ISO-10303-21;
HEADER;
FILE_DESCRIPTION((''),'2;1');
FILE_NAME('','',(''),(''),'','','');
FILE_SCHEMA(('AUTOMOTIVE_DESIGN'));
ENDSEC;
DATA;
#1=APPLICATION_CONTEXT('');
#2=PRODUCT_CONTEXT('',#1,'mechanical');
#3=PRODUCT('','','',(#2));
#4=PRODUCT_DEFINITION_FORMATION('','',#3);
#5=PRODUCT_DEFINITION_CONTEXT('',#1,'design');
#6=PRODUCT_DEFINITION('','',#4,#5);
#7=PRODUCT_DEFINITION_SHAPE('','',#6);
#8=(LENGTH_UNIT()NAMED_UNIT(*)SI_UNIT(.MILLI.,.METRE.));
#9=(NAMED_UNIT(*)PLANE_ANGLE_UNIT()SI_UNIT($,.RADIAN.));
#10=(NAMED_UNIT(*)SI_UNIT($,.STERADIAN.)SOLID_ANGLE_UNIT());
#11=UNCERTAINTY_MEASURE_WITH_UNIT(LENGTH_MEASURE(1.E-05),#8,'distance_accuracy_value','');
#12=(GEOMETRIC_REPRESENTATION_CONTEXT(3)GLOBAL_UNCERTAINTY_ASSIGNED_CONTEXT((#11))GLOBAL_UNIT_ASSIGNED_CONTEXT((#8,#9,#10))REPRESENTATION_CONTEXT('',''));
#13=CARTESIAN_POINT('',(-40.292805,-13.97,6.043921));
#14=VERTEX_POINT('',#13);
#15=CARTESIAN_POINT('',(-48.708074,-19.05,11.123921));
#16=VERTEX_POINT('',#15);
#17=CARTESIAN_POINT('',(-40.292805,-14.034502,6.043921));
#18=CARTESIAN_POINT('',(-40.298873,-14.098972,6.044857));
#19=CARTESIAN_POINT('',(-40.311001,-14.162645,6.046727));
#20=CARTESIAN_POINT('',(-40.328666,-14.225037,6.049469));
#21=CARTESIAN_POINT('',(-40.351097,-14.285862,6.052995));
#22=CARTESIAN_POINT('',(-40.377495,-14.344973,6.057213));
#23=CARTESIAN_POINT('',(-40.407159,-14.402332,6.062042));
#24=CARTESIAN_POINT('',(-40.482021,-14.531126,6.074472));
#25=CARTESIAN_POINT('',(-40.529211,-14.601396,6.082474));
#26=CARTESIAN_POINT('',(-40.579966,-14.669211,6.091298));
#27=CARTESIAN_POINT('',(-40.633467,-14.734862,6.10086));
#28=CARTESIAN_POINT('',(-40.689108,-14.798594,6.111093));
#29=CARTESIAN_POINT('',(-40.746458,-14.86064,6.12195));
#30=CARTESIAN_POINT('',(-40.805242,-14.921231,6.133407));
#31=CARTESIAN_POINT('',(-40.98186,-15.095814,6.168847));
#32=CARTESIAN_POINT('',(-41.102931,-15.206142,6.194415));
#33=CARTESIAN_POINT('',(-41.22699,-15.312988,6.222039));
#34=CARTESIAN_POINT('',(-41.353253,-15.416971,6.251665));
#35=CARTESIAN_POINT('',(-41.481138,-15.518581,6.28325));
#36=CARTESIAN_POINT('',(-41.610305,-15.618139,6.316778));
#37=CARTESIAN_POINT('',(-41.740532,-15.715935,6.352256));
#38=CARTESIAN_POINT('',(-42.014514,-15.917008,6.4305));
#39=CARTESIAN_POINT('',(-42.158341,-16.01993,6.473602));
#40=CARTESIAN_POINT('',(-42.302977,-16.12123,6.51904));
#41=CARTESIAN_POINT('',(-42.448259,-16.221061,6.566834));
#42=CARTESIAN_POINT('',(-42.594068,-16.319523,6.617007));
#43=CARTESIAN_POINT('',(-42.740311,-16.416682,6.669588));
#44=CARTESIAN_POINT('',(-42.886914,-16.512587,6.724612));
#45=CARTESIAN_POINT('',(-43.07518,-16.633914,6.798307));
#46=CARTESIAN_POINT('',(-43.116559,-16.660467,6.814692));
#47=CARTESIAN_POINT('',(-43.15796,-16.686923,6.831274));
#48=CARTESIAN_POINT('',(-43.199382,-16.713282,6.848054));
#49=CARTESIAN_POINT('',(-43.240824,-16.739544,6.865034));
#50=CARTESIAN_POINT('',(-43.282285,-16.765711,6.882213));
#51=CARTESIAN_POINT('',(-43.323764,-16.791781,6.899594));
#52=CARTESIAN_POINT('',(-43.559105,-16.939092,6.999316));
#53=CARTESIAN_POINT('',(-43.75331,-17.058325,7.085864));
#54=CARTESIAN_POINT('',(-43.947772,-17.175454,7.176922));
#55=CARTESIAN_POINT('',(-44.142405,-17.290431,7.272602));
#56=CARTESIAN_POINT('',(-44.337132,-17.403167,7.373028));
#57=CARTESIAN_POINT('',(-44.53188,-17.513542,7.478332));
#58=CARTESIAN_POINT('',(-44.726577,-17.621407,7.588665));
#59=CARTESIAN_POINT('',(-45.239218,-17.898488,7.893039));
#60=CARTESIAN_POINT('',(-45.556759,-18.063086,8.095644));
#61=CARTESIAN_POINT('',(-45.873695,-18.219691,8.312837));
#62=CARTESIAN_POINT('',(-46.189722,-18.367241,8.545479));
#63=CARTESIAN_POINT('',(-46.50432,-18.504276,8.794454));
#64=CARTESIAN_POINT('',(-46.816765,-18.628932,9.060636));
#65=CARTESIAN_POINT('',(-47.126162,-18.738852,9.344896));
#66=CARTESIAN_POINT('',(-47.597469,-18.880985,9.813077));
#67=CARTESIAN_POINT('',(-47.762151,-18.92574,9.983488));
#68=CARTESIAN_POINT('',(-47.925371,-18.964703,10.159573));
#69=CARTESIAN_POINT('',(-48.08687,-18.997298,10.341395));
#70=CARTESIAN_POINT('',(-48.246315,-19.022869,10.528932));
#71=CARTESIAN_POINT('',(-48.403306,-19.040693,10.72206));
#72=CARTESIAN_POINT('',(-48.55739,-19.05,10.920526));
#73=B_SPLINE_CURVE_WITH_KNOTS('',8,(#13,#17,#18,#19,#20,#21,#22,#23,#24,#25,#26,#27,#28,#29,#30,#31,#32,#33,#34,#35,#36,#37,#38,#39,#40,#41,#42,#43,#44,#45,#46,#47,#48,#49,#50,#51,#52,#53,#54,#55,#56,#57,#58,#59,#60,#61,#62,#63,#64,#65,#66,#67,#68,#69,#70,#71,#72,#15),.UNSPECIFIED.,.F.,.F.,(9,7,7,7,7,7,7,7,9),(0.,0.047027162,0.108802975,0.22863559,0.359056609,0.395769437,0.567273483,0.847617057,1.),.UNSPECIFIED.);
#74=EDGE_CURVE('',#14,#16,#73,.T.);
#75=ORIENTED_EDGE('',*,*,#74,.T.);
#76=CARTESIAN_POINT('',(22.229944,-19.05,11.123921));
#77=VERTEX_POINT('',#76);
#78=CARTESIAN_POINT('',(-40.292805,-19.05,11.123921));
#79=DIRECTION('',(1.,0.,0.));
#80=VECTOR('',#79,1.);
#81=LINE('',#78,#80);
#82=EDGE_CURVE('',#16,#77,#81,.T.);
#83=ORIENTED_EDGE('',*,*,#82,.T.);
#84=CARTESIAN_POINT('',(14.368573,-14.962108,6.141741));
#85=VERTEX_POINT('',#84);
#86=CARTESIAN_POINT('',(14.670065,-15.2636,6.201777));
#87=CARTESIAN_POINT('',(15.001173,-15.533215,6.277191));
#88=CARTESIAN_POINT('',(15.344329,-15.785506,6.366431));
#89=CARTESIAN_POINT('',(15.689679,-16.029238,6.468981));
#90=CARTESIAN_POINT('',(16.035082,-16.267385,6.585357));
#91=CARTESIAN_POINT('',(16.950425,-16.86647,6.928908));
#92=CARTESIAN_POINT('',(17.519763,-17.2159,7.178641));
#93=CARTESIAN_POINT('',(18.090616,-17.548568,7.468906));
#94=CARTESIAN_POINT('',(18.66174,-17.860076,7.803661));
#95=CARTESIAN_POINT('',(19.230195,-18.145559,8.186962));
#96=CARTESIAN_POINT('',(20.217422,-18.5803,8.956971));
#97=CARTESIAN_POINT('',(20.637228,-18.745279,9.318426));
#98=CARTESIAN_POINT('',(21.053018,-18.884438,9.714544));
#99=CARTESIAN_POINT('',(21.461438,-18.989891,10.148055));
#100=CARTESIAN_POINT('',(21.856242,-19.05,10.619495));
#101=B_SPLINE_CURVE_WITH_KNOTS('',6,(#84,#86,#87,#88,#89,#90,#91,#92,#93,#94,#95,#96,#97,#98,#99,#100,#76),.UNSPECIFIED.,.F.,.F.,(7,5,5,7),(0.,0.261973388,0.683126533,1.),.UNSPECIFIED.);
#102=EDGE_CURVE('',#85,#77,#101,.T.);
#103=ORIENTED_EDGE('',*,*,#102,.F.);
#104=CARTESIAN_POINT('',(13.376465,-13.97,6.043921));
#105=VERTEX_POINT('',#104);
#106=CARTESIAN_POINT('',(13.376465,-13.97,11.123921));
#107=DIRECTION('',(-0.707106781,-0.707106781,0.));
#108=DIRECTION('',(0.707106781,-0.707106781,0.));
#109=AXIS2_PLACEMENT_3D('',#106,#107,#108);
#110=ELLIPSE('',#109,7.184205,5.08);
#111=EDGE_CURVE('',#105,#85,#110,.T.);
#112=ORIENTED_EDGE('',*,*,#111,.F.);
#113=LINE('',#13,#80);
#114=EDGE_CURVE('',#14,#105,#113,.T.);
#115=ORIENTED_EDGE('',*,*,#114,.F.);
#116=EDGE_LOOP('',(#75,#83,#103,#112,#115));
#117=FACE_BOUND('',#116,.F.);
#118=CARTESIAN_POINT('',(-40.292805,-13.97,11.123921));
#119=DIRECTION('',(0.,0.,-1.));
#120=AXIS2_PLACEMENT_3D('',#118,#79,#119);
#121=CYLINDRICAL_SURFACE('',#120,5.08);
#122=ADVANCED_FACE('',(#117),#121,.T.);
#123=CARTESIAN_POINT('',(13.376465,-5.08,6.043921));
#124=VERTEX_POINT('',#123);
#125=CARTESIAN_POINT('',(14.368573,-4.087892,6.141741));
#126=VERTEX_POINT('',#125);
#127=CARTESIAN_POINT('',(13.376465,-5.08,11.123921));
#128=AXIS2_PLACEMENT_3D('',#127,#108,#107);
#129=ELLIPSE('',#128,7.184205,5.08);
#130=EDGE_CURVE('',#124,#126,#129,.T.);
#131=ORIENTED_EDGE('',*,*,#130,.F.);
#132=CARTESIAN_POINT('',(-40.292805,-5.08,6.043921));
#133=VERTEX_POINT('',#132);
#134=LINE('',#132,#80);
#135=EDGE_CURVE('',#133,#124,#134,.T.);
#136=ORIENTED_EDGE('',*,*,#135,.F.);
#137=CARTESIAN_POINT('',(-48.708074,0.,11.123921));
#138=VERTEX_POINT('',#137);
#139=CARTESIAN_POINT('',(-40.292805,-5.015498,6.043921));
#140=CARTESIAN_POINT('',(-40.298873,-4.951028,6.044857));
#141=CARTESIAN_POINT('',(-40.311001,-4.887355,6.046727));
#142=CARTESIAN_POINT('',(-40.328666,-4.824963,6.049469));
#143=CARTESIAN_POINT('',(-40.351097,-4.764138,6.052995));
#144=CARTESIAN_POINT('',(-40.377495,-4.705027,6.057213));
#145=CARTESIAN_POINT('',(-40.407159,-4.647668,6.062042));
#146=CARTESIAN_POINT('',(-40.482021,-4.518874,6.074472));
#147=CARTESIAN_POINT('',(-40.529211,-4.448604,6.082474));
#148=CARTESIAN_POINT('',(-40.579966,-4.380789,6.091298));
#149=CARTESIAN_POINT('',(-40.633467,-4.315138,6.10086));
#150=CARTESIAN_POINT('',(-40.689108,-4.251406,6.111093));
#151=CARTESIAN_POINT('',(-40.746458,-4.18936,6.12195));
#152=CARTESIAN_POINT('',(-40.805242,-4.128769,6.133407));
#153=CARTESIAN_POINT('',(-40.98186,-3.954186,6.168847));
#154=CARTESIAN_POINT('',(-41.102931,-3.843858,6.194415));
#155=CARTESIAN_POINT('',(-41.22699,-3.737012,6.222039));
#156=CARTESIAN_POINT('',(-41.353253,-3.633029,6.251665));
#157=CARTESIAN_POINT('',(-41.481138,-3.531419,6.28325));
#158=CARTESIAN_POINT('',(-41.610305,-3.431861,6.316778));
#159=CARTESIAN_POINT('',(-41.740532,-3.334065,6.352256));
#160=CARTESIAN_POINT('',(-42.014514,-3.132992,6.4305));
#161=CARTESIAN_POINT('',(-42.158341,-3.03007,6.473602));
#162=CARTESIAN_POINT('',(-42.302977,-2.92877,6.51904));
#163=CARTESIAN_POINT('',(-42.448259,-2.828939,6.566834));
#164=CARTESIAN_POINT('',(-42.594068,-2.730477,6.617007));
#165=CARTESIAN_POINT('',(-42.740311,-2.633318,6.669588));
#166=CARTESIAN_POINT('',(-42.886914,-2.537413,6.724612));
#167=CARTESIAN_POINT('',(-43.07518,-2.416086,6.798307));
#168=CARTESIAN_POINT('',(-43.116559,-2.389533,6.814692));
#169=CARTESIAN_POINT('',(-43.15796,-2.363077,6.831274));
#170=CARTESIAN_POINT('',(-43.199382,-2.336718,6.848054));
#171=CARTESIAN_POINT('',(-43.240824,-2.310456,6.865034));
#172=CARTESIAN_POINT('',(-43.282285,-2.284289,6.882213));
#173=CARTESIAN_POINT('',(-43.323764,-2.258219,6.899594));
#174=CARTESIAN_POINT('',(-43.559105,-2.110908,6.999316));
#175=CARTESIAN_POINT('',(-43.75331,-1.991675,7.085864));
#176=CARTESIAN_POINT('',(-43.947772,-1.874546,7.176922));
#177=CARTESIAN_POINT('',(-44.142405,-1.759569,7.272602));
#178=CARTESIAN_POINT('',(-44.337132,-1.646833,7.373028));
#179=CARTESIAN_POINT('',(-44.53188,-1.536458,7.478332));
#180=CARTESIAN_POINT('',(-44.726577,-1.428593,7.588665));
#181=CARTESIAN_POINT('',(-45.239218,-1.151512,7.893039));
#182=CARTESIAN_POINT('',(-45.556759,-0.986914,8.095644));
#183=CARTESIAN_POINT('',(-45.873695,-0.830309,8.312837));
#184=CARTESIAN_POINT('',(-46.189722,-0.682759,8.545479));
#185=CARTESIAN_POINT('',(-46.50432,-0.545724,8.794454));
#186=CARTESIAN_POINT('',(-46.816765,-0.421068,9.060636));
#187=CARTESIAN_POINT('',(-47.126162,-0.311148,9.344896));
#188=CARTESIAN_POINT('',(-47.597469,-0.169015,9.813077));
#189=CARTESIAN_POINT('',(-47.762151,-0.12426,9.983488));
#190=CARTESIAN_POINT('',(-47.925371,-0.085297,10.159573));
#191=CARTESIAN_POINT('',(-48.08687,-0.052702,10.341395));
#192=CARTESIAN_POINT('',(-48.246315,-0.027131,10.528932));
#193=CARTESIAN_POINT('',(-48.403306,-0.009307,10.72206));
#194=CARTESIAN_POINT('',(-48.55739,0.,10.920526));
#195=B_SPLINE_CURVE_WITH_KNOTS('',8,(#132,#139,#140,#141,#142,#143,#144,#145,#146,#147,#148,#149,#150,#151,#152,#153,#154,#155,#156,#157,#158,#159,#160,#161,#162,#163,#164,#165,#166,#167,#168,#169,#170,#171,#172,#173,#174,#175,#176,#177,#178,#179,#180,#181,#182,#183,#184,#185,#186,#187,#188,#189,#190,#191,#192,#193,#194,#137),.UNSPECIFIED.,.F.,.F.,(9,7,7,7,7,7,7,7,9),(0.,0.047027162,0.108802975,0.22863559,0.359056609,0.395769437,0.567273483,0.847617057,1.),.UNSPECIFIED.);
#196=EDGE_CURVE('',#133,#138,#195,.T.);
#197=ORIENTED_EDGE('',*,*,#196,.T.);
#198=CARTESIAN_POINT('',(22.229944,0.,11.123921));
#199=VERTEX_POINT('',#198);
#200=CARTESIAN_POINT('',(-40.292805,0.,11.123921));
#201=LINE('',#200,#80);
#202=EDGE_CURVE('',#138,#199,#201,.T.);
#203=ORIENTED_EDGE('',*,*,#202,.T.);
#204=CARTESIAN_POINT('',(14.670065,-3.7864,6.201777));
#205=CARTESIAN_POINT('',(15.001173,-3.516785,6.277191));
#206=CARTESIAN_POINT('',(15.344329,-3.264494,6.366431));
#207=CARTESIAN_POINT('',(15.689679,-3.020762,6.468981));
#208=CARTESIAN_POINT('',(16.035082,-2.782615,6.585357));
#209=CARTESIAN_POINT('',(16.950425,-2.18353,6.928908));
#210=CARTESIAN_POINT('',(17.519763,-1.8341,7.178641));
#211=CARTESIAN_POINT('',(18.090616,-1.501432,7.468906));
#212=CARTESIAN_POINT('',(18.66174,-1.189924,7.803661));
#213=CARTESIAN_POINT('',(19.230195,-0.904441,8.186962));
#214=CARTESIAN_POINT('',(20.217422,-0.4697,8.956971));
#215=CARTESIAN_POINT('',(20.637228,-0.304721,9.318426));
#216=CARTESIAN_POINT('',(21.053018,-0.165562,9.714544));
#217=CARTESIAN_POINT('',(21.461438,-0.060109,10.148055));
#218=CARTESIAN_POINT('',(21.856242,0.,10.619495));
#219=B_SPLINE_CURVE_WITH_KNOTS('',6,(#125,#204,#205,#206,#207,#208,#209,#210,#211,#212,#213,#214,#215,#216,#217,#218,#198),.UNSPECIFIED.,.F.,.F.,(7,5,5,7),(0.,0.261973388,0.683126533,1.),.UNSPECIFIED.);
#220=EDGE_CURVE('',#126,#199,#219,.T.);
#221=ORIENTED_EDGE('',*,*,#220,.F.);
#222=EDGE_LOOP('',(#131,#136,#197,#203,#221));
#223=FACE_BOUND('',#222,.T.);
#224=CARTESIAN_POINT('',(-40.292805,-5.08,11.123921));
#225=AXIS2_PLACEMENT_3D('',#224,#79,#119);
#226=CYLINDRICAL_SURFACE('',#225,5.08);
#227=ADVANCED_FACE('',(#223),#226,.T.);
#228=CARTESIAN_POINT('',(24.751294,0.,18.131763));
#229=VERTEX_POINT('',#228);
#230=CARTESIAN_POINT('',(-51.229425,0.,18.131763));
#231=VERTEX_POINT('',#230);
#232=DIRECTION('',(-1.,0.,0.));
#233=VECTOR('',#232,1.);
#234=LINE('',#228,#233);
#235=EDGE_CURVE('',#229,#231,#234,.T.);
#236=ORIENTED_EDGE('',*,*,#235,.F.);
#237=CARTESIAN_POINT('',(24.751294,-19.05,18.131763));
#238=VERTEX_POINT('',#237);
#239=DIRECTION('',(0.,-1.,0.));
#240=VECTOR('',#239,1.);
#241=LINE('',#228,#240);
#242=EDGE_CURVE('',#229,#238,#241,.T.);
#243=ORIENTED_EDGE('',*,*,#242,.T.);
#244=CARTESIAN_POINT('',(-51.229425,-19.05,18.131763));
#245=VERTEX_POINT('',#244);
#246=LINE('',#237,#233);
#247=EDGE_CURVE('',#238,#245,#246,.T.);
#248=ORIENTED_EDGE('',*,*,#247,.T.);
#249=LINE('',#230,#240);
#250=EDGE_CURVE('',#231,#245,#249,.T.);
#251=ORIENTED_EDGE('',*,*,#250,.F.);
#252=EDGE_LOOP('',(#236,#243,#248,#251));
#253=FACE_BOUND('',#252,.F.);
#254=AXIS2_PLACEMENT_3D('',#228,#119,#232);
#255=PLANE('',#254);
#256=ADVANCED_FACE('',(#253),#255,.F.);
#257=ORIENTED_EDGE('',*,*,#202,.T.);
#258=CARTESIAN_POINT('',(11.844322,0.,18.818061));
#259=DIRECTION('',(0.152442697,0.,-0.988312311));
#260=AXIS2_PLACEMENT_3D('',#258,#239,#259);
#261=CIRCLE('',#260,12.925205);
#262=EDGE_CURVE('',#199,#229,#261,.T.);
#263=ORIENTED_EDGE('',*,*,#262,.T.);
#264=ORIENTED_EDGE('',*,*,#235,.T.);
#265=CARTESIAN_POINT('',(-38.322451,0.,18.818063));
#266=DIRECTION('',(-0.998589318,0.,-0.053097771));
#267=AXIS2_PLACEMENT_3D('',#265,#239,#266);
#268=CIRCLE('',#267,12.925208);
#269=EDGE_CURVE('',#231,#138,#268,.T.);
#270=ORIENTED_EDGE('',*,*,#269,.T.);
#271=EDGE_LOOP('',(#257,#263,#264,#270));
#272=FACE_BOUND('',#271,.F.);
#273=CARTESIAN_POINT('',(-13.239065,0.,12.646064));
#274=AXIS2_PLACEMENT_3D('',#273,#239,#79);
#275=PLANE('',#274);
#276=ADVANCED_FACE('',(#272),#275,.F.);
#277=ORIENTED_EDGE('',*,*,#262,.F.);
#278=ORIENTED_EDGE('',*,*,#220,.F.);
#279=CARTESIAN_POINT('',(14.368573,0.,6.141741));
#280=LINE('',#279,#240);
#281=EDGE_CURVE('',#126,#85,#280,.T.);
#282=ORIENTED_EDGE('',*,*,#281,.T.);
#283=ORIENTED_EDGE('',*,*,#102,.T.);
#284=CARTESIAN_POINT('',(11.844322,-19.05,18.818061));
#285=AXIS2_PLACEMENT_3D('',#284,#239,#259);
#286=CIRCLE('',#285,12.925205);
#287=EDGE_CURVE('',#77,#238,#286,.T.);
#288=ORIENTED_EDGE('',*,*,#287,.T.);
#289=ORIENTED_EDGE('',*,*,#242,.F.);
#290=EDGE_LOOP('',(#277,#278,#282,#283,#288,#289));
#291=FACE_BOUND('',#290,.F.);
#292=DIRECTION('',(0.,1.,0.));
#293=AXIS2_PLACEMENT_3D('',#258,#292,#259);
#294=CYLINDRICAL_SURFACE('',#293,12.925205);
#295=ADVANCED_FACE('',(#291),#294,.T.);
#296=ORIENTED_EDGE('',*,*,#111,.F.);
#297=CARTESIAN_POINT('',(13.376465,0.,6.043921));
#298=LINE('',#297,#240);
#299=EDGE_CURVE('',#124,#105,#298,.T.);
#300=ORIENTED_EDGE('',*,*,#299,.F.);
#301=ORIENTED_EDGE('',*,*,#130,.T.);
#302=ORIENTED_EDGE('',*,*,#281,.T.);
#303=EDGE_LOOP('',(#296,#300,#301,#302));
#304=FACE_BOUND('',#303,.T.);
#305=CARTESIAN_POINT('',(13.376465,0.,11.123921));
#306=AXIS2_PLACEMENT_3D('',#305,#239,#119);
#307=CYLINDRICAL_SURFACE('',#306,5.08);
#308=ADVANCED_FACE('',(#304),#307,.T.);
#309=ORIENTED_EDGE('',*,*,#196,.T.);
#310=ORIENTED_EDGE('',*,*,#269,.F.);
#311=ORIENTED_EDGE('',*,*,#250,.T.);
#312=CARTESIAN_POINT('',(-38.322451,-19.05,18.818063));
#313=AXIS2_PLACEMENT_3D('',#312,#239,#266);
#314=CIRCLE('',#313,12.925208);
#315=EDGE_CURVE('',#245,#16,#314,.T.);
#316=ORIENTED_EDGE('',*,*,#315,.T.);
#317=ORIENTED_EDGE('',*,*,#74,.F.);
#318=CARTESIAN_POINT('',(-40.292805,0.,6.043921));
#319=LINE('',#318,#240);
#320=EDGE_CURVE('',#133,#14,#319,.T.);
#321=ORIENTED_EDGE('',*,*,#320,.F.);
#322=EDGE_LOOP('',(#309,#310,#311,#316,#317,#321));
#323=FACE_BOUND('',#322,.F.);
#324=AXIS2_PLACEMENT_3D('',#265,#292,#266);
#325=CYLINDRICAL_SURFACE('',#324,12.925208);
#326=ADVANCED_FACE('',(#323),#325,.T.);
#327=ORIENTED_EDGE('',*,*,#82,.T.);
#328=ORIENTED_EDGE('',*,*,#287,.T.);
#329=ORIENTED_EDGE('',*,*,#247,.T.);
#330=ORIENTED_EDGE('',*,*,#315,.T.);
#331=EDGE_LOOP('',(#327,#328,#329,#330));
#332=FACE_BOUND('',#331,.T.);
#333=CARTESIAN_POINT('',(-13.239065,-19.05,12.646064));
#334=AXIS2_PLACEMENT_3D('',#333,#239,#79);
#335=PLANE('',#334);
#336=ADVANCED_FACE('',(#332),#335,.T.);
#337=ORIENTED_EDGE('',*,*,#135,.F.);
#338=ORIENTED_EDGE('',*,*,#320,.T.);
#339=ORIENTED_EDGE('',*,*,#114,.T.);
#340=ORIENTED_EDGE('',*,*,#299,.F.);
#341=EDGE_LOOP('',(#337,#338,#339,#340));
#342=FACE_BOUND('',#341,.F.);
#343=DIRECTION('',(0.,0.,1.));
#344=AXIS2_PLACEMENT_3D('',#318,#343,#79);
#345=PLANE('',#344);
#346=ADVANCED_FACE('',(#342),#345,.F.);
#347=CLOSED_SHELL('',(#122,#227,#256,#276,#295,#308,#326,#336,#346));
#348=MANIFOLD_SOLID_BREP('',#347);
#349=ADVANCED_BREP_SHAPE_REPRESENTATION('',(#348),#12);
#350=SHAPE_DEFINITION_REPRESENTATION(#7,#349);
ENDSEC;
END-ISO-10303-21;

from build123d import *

# Parameters (mm, degrees)
F1_DEPTH = 19.05
F2_R     = 5.08


with BuildPart() as f1:
    # F0 (on Front) → F1 (new body)
    with BuildSketch(Plane.XZ):
        with BuildLine():
            Line((24.751294, 18.131763), (-51.229425, 18.131763))
            ThreePointArc((-51.229425, 18.131763), (-47.906954, 10.146368), (-40.292805, 6.043921))
            Line((-40.292805, 6.043921), (13.814675, 6.043921))
            ThreePointArc((13.814675, 6.043921), (21.428824, 10.146368), (24.751294, 18.131763))
        make_face()
    extrude(amount=F1_DEPTH)

    # F2
    f2_edges = [f1.edges().sort_by_distance(p)[0] for p in [
        (13.814675, -9.525, 6.043921),
        (-13.239065, 0, 6.043921),
        (-13.239065, -19.05, 6.043921),
    ]]
    fillet(f2_edges, radius=F2_R)


solid = f1.part
